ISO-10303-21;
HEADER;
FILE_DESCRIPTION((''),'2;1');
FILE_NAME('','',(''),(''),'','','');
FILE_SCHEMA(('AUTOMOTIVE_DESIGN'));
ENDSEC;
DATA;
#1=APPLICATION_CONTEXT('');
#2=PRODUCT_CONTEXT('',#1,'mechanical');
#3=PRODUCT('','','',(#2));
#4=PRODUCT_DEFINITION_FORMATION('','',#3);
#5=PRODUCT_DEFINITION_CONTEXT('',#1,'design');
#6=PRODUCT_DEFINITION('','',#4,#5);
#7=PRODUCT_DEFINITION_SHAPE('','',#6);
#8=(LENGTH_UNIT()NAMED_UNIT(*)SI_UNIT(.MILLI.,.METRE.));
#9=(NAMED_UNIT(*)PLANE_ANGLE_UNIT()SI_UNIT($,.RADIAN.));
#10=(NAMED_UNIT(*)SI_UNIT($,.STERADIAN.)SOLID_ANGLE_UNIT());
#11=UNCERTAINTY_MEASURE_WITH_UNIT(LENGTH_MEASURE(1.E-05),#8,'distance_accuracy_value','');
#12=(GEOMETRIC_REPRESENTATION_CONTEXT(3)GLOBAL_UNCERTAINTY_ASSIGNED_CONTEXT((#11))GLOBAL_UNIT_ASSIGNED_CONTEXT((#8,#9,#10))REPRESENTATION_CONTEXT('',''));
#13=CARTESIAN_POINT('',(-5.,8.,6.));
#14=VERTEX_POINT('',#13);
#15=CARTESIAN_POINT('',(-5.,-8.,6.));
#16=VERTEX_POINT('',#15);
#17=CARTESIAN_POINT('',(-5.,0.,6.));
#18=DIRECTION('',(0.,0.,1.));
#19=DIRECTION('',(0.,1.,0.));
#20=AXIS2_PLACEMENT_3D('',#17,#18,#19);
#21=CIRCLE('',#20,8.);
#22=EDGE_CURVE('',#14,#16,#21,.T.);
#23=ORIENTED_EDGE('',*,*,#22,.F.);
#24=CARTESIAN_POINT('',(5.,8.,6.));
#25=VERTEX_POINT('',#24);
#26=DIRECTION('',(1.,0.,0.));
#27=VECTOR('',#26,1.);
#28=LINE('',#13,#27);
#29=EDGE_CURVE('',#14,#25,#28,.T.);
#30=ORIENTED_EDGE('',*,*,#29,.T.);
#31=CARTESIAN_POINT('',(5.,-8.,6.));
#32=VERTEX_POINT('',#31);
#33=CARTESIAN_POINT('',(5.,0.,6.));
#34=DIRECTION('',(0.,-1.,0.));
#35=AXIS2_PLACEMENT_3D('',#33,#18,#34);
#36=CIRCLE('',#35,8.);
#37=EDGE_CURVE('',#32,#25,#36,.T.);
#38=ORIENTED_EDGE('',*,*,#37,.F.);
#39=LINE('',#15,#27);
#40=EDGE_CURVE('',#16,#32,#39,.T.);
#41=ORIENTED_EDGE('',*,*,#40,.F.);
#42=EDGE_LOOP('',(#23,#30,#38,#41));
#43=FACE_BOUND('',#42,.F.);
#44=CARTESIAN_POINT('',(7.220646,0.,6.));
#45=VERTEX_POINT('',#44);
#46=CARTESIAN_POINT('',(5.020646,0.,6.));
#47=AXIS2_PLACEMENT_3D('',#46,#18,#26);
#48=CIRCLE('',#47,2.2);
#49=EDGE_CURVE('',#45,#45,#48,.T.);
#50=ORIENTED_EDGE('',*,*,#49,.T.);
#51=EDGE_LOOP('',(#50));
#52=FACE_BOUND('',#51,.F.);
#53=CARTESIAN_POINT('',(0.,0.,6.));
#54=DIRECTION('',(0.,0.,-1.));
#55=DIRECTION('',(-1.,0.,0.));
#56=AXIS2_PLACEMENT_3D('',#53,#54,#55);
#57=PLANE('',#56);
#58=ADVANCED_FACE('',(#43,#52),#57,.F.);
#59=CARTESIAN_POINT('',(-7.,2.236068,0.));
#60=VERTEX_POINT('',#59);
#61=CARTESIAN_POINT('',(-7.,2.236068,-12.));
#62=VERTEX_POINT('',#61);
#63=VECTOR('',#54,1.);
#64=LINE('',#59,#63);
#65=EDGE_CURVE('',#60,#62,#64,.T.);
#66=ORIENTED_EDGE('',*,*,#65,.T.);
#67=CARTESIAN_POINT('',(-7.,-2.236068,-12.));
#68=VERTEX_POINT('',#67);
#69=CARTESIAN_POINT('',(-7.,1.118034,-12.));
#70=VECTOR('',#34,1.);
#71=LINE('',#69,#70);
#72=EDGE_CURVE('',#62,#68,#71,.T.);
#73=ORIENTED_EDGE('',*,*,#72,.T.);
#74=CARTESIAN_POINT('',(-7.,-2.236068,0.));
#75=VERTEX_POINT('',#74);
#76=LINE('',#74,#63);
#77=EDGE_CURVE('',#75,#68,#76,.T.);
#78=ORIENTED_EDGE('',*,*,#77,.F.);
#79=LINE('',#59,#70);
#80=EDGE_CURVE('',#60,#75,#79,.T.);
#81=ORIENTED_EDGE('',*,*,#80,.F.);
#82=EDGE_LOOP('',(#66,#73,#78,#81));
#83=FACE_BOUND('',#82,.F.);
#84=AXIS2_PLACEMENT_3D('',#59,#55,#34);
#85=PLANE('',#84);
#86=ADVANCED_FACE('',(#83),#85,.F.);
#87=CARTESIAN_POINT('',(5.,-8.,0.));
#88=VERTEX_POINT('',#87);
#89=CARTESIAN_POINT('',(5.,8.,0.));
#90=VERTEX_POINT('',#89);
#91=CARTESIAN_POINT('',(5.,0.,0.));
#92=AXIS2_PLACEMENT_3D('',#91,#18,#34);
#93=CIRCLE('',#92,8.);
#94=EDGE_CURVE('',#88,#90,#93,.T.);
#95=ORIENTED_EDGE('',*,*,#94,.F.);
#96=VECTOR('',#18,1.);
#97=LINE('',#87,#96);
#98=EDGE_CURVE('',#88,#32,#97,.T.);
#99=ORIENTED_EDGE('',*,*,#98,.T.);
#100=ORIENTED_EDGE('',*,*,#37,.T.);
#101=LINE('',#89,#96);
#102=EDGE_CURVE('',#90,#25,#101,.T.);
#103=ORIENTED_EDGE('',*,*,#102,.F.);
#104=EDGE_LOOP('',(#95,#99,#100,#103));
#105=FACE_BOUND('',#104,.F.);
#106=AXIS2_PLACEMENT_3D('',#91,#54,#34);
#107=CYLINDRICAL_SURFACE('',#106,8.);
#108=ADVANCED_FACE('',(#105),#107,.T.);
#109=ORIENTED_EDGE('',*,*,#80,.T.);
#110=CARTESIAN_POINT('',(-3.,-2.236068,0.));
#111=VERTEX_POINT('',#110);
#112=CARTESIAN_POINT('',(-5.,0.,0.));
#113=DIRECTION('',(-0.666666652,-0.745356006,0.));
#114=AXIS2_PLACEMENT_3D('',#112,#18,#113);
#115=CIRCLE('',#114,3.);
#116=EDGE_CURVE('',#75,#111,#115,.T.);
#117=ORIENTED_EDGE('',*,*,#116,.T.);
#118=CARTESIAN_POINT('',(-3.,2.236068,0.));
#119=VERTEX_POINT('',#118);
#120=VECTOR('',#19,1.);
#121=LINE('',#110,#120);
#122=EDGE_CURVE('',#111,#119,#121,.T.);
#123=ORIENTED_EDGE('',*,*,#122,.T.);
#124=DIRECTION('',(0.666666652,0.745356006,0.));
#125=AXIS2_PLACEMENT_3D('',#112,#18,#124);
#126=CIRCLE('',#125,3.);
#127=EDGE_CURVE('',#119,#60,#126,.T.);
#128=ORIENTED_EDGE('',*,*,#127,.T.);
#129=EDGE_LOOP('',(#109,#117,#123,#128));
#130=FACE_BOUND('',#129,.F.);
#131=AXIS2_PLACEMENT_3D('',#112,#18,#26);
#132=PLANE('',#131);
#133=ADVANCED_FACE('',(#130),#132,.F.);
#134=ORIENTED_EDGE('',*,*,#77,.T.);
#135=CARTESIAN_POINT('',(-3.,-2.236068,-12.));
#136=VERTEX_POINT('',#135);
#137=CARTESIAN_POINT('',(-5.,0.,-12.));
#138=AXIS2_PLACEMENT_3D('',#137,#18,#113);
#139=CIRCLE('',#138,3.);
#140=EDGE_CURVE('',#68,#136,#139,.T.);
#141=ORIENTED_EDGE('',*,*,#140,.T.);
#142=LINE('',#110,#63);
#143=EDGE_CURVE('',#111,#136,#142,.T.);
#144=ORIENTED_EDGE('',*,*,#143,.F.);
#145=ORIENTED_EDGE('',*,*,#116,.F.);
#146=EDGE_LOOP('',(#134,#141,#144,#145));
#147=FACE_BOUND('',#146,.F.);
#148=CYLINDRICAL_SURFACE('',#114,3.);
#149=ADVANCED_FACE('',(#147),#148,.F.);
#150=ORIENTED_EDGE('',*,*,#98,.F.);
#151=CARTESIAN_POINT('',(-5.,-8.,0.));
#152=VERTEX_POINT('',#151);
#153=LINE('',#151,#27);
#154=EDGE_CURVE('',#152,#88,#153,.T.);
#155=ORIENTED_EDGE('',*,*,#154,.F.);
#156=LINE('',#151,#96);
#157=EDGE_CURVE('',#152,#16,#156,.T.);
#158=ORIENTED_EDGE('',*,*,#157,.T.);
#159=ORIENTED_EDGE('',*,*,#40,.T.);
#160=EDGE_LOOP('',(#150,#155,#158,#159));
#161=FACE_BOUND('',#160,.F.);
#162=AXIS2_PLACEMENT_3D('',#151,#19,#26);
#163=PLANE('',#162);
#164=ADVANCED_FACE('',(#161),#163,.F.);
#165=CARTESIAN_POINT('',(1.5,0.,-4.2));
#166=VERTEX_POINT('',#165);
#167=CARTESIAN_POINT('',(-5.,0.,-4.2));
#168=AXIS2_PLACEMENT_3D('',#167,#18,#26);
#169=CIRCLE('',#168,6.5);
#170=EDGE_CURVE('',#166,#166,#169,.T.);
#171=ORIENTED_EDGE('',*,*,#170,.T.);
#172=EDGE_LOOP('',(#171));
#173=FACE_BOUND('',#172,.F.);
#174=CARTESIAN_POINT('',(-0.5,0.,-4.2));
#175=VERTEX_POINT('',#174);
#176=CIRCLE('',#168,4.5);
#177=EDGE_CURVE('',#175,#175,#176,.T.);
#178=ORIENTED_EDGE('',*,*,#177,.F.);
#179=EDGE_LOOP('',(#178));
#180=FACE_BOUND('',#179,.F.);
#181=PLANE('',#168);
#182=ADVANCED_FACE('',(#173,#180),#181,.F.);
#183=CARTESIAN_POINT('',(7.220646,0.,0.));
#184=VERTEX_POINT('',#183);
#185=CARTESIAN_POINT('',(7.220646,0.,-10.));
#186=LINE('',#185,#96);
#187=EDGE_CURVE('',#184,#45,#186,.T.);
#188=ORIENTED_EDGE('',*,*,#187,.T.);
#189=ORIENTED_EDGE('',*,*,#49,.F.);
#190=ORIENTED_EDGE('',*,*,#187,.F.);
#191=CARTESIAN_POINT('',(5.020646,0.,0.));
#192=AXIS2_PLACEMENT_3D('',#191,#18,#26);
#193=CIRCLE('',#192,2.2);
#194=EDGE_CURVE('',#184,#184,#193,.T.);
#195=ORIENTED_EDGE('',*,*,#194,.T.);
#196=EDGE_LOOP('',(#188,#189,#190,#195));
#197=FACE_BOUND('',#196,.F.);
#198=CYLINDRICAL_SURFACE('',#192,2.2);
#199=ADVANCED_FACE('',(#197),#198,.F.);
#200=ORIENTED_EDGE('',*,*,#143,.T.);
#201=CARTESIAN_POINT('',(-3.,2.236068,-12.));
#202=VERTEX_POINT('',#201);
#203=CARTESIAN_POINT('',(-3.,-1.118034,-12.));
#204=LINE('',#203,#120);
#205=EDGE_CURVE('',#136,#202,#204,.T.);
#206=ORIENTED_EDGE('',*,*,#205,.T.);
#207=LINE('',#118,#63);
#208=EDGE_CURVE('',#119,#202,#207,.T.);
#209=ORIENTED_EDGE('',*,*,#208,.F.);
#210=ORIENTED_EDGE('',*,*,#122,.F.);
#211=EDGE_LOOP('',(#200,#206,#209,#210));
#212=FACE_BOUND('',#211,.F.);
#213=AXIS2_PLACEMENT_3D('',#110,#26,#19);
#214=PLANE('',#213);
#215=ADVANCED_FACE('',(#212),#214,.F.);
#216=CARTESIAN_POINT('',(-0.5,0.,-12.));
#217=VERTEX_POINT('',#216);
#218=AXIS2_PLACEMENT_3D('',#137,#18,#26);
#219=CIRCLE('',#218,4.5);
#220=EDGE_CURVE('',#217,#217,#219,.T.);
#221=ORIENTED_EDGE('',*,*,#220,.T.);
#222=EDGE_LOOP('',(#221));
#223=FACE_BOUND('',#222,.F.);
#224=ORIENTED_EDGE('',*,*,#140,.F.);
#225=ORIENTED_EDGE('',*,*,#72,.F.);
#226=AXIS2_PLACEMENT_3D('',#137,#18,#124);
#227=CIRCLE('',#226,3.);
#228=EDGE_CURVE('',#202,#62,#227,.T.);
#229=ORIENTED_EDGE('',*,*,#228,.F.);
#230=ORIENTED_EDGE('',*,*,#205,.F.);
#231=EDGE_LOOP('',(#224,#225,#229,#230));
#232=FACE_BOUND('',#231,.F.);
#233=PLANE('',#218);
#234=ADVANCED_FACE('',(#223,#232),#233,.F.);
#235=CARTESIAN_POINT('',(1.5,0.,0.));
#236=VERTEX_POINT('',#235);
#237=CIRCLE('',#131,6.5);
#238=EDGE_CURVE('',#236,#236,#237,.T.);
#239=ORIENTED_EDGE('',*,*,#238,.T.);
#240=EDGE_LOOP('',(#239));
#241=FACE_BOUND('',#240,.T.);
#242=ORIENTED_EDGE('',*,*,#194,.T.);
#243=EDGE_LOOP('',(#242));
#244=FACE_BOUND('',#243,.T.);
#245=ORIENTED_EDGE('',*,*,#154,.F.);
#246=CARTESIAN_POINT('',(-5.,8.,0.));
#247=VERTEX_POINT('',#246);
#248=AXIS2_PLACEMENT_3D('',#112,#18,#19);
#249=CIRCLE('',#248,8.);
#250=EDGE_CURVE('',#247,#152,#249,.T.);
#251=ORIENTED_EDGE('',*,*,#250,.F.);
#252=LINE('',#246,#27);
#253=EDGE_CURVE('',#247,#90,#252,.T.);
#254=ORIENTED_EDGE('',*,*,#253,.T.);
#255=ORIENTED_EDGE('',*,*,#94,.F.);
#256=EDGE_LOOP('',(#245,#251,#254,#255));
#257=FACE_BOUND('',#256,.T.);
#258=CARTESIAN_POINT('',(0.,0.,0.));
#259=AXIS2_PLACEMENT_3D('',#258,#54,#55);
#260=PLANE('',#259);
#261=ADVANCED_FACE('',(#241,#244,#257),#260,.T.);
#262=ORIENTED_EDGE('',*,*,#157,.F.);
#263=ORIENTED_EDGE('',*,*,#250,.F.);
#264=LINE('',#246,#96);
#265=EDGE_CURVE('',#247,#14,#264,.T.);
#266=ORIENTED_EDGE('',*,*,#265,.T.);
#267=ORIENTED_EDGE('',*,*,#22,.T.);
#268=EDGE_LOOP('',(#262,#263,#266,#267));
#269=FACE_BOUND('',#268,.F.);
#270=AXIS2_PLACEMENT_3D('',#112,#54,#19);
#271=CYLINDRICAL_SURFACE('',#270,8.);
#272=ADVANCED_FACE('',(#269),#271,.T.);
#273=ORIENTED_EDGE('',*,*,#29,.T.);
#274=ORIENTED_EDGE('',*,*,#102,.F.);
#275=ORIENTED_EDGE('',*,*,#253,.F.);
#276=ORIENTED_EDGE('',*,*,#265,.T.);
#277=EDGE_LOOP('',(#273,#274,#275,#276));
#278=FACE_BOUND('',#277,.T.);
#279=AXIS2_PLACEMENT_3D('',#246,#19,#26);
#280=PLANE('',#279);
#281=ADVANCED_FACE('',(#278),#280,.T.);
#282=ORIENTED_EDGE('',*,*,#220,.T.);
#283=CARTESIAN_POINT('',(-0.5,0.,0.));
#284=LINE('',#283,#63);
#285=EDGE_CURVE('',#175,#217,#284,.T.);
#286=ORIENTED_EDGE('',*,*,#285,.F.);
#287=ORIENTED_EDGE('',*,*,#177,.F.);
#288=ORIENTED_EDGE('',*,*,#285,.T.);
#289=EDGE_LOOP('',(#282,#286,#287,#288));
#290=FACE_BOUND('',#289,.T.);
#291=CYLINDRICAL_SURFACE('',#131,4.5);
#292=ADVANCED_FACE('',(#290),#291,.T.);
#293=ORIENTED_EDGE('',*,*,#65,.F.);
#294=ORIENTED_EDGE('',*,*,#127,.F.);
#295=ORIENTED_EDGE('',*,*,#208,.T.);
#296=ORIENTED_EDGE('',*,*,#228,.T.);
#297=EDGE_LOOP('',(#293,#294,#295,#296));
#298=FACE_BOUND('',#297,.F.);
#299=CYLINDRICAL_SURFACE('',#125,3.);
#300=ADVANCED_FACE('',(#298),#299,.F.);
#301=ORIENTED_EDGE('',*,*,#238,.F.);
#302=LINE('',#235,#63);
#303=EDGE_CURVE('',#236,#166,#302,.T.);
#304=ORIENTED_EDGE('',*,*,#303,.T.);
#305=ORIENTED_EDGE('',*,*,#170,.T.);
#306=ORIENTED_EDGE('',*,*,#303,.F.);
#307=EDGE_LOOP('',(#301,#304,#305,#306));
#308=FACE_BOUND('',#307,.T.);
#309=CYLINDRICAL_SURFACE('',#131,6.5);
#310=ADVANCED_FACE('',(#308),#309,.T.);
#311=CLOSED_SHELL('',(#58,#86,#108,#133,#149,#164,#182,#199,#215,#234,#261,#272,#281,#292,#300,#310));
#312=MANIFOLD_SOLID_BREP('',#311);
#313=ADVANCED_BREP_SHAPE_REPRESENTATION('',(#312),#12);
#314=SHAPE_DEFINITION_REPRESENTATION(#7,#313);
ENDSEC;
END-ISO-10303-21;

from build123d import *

# Parameters (mm, degrees)
PAD020_DEPTH = 20
SKETCH023_R  = 2.2
PAD022_DEPTH = 10
SKETCH018_R  = 6
PAD016_DEPTH = 5
SKETCH020_R  = 4.5
PAD018_DEPTH = 12
SKETCH021_R  = 6.5
PAD019_DEPTH = 4.2
PAD021_DEPTH = 6


with BuildPart() as motor_linkage_hole_body001:
    # Sketch022 → Pad020 (new body)
    with BuildSketch(Plane.XY):
        with BuildLine():
            Line((-7, 2.236068), (-7, -2.236068))
            ThreePointArc((-7, -2.236068), (-5, -3), (-3, -2.236068))
            Line((-3, -2.236068), (-3, 2.236068))
            ThreePointArc((-3, 2.236068), (-5, 3), (-7, 2.236068))
        make_face()
    extrude(amount=-PAD020_DEPTH)


with BuildPart() as hole_fusion001:
    # Sketch023 → Pad022 (new body, symmetric)
    with BuildSketch(Plane.XY):
        with Locations((5.020646, 0)):
            Circle(SKETCH023_R)
    extrude(amount=PAD022_DEPTH, both=True)

    # Fusion012: union motor linkage hole body001
    add(motor_linkage_hole_body001.part)


with BuildPart() as motor_linkage_cut001:
    # Sketch018 → Pad016 (new body)
    with BuildSketch(Plane.XY):
        with Locations((5, 0)):
            Circle(SKETCH018_R)
    extrude(amount=PAD016_DEPTH)

    # Sketch020 → Pad018 (join)
    with BuildSketch(Plane.XY):
        with Locations((-5, 0)):
            Circle(SKETCH020_R)
    extrude(amount=-PAD018_DEPTH)

    # Sketch021 → Pad019 (join)
    with BuildSketch(Plane.XY):
        with Locations((-5, 0)):
            Circle(SKETCH021_R)
    extrude(amount=-PAD019_DEPTH)

    # Sketch017 → Pad021 (join)
    with BuildSketch(Plane.XY):
        with BuildLine():
            Line((-5, 8), (5, 8))
            ThreePointArc((5, -8), (13, 0), (5, 8))
            Line((-5, -8), (5, -8))
            ThreePointArc((-5, 8), (-13, 0), (-5, -8))
        make_face()
    extrude(amount=PAD021_DEPTH)

    # Cut006: cut hole fusion001
    add(hole_fusion001.part, mode=Mode.SUBTRACT)


solid = motor_linkage_cut001.part
